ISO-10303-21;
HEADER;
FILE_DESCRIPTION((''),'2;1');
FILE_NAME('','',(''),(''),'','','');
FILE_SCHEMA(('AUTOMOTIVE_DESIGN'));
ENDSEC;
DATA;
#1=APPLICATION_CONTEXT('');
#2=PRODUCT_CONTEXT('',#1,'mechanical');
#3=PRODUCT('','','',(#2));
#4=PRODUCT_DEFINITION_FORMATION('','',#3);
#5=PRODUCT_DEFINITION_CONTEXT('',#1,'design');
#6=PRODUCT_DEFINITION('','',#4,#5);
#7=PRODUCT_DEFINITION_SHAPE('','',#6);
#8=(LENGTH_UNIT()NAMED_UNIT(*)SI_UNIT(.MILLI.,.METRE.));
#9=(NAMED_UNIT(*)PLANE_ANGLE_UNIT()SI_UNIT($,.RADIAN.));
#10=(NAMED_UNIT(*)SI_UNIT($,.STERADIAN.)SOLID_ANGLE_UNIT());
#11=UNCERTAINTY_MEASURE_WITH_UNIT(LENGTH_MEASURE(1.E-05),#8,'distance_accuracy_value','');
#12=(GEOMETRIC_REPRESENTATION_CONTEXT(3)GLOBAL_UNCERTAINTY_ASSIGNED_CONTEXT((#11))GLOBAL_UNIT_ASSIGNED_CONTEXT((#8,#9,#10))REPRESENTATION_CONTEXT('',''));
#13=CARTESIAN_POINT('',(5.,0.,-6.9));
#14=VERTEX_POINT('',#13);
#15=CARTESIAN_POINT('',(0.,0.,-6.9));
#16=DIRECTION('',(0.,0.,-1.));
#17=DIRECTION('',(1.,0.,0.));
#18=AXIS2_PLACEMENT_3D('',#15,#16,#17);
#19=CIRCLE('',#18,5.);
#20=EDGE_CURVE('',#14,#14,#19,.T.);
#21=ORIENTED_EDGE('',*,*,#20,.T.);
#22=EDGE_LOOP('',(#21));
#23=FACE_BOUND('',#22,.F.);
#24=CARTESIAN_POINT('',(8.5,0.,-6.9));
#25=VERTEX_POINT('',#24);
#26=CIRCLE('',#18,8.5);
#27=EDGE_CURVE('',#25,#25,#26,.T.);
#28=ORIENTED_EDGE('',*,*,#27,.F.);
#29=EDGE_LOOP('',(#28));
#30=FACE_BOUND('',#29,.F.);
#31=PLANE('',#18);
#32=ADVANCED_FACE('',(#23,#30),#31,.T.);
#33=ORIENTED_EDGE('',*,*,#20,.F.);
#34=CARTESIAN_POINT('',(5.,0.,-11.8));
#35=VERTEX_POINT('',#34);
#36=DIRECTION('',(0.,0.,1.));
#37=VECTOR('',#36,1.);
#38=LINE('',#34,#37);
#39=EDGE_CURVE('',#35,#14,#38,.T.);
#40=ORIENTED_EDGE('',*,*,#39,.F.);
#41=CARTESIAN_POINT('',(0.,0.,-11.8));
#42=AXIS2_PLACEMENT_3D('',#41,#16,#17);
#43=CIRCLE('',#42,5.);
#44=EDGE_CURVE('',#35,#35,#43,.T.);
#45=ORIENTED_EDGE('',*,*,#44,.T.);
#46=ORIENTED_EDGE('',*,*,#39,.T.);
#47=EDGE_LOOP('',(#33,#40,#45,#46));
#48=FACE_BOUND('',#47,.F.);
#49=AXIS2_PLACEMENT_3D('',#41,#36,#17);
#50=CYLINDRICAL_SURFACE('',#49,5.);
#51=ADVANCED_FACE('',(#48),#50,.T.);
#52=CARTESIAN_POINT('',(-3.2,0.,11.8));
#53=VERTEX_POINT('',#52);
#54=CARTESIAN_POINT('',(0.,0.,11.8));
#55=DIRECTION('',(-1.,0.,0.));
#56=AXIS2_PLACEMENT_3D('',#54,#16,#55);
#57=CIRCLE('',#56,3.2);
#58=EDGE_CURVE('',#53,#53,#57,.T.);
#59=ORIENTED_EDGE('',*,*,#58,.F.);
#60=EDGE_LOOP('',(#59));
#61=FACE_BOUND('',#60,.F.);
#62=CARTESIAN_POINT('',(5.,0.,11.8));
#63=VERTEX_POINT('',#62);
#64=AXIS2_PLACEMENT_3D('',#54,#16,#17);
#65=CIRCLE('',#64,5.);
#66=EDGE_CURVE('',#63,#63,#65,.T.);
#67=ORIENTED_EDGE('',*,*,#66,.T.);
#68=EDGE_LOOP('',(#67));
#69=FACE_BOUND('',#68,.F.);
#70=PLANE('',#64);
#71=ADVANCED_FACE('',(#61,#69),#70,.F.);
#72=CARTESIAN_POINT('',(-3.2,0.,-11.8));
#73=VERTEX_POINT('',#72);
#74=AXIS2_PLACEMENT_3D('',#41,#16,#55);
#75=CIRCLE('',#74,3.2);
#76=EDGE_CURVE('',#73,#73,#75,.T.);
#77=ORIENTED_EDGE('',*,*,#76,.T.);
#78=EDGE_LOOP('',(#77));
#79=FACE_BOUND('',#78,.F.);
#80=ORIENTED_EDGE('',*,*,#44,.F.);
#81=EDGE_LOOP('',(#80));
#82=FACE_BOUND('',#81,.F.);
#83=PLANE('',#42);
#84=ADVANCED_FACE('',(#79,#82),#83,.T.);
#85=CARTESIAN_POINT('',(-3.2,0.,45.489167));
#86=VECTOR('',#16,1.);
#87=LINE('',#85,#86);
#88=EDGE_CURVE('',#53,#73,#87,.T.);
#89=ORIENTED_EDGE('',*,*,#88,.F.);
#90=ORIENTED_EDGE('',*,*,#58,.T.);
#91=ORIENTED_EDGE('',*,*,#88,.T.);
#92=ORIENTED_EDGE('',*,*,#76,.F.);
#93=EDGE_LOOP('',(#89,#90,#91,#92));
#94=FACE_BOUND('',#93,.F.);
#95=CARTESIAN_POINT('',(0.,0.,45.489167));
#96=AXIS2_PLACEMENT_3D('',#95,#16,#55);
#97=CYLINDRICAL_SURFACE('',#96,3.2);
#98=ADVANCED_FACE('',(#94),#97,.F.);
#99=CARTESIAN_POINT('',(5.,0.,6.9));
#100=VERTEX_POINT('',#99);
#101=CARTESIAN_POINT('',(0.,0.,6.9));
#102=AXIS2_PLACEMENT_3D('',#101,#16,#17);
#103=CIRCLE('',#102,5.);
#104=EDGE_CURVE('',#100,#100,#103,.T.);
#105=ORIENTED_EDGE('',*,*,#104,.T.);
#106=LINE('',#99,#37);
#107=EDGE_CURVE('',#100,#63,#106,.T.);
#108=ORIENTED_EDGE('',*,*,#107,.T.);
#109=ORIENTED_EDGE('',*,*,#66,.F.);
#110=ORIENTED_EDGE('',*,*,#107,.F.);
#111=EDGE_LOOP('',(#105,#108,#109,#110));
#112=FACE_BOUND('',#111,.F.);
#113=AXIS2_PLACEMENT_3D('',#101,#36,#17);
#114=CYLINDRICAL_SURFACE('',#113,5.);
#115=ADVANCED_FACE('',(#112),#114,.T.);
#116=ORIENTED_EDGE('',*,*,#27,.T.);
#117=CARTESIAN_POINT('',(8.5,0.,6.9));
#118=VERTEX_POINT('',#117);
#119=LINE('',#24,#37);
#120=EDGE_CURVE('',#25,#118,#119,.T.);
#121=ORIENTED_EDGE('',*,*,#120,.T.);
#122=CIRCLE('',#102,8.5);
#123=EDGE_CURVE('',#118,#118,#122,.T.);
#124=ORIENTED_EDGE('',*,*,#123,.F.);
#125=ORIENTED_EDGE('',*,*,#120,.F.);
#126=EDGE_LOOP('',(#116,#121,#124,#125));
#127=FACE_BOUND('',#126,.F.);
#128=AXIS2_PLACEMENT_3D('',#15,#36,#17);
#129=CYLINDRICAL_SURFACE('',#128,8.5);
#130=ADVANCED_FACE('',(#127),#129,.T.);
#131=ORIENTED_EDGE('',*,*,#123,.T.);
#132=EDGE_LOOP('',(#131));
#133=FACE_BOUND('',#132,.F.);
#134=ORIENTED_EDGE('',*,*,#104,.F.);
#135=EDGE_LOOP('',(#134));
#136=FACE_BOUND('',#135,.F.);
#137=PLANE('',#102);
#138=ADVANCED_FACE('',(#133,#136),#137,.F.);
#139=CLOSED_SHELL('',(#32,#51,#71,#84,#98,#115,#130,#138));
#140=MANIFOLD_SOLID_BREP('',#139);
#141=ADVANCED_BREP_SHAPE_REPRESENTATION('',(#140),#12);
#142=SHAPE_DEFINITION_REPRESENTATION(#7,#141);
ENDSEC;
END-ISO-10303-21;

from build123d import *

# Parameters (mm, degrees)
F3_D = 6.4


with BuildPart() as f1:
    # F0 (on Front) → F1 (revolve)
    with BuildSketch(Plane.XZ):
        Polygon((5, 11.8), (0, 11.8), (0, -11.8), (5, -11.8), (5, -6.9), (8.5, -6.9), (8.5, 0), (8.5, 6.9), (5, 6.9), align=None)
    revolve(axis=Axis((0, 0, 0.517052), (0, 0, -1)))

    # F3 (through all)
    with Locations(Plane.XY.offset(11.8)):
        with Locations((0, 0)):
            Hole(F3_D / 2)


solid = f1.part
